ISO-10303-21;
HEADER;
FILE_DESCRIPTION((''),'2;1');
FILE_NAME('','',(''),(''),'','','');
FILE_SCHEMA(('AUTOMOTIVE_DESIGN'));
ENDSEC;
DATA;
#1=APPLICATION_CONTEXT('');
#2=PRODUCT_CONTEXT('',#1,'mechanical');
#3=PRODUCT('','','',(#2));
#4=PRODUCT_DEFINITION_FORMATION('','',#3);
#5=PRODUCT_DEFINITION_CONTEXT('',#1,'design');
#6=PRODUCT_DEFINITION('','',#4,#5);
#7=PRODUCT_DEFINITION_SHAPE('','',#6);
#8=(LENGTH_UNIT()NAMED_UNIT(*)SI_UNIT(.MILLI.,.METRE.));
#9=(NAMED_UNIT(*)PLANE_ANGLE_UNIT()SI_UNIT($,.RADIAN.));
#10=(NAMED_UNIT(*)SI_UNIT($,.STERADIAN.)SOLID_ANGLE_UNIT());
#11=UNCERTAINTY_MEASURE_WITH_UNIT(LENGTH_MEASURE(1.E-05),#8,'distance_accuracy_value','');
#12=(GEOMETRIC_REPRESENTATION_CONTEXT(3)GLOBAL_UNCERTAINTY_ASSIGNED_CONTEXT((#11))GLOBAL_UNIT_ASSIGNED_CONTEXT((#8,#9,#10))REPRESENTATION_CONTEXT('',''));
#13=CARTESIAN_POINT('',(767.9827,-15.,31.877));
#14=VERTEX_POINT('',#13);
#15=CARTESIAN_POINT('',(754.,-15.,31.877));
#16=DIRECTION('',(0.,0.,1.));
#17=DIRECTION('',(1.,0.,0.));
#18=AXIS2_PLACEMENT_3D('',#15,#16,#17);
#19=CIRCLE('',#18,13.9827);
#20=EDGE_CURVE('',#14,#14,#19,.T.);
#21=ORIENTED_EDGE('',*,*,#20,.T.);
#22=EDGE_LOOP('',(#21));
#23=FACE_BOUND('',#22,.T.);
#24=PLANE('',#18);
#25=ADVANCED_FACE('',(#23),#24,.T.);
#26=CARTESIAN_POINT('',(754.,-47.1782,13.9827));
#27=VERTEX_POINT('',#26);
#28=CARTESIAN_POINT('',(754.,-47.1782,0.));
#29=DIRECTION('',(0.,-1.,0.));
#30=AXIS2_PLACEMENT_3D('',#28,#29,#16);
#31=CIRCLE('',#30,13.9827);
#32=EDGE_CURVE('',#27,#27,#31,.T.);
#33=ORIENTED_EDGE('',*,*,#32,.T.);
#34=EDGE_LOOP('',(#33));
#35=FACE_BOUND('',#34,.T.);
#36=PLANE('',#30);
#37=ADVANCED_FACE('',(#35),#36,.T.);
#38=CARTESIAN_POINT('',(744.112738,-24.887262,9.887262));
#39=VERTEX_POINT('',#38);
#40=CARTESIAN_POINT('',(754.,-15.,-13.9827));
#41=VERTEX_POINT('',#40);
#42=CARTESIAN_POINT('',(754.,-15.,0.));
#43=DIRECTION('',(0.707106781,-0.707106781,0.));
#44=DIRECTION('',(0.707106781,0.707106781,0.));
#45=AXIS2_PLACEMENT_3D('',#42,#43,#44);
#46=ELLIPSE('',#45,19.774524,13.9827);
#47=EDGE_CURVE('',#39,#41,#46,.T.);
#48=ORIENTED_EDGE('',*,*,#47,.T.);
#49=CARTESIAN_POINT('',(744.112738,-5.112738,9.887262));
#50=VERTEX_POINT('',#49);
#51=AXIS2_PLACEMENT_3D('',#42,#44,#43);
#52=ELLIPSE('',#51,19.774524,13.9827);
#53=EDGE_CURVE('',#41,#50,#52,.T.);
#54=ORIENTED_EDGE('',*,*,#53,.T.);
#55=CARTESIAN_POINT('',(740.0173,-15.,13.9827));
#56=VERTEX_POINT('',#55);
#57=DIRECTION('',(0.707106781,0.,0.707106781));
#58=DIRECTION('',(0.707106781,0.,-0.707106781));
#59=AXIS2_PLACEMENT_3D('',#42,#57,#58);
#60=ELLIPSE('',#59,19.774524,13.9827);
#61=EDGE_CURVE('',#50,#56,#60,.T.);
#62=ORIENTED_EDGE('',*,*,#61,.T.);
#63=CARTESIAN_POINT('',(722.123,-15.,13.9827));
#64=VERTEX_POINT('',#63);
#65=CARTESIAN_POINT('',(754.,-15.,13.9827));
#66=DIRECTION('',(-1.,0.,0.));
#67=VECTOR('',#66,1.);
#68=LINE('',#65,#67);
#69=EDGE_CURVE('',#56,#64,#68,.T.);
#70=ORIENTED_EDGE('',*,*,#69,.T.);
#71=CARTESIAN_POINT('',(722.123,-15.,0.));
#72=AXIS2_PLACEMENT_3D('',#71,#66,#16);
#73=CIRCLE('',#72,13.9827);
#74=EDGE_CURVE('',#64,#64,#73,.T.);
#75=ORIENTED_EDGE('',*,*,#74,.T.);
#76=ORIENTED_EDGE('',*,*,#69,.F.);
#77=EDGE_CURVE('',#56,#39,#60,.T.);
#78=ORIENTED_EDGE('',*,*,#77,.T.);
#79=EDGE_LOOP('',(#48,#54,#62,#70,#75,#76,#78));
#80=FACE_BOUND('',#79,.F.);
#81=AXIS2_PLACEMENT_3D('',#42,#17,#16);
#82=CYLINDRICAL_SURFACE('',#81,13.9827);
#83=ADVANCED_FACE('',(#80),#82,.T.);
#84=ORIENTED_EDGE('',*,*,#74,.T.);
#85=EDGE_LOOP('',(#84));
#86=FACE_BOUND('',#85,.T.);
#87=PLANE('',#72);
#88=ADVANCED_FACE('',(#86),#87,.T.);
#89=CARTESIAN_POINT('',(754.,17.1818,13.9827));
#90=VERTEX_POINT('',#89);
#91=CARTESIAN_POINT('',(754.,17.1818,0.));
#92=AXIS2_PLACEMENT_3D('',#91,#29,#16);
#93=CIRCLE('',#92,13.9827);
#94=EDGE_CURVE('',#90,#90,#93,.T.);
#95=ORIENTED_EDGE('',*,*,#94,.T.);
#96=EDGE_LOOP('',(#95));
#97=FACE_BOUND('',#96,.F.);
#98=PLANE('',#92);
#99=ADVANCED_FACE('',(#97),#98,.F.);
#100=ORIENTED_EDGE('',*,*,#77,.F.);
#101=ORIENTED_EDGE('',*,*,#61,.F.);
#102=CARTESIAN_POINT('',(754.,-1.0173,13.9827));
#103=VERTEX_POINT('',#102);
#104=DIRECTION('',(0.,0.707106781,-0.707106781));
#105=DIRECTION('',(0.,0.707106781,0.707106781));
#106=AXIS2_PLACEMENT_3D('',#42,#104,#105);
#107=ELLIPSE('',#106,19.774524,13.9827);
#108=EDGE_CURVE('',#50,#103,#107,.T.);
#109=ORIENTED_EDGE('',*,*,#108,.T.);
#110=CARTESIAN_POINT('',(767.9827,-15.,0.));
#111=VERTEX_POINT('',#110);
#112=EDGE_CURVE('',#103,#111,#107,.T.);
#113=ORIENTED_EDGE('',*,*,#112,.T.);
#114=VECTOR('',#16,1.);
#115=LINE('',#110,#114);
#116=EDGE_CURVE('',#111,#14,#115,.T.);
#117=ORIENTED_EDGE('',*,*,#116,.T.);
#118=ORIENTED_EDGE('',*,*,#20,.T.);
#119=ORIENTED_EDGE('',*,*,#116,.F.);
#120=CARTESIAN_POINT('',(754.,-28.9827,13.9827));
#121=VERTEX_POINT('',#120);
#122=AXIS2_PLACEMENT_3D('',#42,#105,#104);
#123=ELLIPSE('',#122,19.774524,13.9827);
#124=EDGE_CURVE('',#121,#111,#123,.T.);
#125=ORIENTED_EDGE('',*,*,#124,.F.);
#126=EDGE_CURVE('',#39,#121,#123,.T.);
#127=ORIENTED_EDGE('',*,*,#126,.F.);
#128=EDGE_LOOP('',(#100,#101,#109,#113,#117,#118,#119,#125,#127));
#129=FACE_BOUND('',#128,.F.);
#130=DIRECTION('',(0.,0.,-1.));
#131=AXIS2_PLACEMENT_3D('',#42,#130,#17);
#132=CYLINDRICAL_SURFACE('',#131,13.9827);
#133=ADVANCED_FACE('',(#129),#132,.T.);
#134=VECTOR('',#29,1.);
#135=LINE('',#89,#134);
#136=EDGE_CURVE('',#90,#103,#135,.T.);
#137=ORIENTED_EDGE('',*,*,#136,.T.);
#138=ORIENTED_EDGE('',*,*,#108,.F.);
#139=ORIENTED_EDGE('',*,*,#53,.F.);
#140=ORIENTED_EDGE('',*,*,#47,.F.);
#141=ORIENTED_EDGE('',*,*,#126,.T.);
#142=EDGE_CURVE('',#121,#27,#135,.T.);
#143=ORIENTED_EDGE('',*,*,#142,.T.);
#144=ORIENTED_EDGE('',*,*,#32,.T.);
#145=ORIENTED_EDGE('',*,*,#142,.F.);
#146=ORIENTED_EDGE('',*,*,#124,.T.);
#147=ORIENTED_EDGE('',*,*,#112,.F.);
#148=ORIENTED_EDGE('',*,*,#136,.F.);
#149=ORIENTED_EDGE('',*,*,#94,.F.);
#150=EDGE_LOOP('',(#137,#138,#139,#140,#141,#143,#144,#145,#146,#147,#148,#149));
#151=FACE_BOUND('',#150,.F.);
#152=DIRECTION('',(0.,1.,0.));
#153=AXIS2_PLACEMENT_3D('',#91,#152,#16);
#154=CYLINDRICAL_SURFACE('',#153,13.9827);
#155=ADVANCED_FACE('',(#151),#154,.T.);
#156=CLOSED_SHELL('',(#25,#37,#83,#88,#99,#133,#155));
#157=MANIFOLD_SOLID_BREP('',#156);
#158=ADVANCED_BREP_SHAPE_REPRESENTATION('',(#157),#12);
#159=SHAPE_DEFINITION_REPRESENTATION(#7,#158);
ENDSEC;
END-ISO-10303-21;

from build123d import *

# Parameters (mm, degrees)
CYLINDER015_R             = 13.9827
CYLINDER015_DEPTH         = 31.877
CYLINDER014_R             = 13.9827
CYLINDER014_DEPTH         = 64.36
CYLINDER016_R             = 13.9827
CYLINDER016_DEPTH         = 31.877
FUSION007_PLACEMENT_ANGLE = 90


with BuildPart() as cylinder015:
    # Cylinder015 → Cylinder015 (new body)
    with BuildSketch(Plane(origin=(0, 0, 0), x_dir=(0, 0, -1), z_dir=(1, 0, 0))):
        Circle(CYLINDER015_R)
    extrude(amount=CYLINDER015_DEPTH)


with BuildPart() as cylinder014:
    # Cylinder014 → Cylinder014 (new body)
    with BuildSketch(Plane.XZ.offset(-32.1818)):
        Circle(CYLINDER014_R)
    extrude(amount=CYLINDER014_DEPTH)


with BuildPart() as f_4_way001:
    # Cylinder016 → Cylinder016 (new body)
    with BuildSketch(Plane.XY):
        Circle(CYLINDER016_R)
    extrude(amount=CYLINDER016_DEPTH)

    # Fusion006: union Cylinder014
    add(cylinder014.part)

    # Fusion007: union Cylinder015
    add(cylinder015.part)


with BuildPart() as f_4_way001_1:
    # Fusion007 placement: moved
    add(f_4_way001.part.moved(Location((754, -15, 0))).rotate(Axis((754, -15, 0), (0, -1, 0)), FUSION007_PLACEMENT_ANGLE))


solid = f_4_way001_1.part
